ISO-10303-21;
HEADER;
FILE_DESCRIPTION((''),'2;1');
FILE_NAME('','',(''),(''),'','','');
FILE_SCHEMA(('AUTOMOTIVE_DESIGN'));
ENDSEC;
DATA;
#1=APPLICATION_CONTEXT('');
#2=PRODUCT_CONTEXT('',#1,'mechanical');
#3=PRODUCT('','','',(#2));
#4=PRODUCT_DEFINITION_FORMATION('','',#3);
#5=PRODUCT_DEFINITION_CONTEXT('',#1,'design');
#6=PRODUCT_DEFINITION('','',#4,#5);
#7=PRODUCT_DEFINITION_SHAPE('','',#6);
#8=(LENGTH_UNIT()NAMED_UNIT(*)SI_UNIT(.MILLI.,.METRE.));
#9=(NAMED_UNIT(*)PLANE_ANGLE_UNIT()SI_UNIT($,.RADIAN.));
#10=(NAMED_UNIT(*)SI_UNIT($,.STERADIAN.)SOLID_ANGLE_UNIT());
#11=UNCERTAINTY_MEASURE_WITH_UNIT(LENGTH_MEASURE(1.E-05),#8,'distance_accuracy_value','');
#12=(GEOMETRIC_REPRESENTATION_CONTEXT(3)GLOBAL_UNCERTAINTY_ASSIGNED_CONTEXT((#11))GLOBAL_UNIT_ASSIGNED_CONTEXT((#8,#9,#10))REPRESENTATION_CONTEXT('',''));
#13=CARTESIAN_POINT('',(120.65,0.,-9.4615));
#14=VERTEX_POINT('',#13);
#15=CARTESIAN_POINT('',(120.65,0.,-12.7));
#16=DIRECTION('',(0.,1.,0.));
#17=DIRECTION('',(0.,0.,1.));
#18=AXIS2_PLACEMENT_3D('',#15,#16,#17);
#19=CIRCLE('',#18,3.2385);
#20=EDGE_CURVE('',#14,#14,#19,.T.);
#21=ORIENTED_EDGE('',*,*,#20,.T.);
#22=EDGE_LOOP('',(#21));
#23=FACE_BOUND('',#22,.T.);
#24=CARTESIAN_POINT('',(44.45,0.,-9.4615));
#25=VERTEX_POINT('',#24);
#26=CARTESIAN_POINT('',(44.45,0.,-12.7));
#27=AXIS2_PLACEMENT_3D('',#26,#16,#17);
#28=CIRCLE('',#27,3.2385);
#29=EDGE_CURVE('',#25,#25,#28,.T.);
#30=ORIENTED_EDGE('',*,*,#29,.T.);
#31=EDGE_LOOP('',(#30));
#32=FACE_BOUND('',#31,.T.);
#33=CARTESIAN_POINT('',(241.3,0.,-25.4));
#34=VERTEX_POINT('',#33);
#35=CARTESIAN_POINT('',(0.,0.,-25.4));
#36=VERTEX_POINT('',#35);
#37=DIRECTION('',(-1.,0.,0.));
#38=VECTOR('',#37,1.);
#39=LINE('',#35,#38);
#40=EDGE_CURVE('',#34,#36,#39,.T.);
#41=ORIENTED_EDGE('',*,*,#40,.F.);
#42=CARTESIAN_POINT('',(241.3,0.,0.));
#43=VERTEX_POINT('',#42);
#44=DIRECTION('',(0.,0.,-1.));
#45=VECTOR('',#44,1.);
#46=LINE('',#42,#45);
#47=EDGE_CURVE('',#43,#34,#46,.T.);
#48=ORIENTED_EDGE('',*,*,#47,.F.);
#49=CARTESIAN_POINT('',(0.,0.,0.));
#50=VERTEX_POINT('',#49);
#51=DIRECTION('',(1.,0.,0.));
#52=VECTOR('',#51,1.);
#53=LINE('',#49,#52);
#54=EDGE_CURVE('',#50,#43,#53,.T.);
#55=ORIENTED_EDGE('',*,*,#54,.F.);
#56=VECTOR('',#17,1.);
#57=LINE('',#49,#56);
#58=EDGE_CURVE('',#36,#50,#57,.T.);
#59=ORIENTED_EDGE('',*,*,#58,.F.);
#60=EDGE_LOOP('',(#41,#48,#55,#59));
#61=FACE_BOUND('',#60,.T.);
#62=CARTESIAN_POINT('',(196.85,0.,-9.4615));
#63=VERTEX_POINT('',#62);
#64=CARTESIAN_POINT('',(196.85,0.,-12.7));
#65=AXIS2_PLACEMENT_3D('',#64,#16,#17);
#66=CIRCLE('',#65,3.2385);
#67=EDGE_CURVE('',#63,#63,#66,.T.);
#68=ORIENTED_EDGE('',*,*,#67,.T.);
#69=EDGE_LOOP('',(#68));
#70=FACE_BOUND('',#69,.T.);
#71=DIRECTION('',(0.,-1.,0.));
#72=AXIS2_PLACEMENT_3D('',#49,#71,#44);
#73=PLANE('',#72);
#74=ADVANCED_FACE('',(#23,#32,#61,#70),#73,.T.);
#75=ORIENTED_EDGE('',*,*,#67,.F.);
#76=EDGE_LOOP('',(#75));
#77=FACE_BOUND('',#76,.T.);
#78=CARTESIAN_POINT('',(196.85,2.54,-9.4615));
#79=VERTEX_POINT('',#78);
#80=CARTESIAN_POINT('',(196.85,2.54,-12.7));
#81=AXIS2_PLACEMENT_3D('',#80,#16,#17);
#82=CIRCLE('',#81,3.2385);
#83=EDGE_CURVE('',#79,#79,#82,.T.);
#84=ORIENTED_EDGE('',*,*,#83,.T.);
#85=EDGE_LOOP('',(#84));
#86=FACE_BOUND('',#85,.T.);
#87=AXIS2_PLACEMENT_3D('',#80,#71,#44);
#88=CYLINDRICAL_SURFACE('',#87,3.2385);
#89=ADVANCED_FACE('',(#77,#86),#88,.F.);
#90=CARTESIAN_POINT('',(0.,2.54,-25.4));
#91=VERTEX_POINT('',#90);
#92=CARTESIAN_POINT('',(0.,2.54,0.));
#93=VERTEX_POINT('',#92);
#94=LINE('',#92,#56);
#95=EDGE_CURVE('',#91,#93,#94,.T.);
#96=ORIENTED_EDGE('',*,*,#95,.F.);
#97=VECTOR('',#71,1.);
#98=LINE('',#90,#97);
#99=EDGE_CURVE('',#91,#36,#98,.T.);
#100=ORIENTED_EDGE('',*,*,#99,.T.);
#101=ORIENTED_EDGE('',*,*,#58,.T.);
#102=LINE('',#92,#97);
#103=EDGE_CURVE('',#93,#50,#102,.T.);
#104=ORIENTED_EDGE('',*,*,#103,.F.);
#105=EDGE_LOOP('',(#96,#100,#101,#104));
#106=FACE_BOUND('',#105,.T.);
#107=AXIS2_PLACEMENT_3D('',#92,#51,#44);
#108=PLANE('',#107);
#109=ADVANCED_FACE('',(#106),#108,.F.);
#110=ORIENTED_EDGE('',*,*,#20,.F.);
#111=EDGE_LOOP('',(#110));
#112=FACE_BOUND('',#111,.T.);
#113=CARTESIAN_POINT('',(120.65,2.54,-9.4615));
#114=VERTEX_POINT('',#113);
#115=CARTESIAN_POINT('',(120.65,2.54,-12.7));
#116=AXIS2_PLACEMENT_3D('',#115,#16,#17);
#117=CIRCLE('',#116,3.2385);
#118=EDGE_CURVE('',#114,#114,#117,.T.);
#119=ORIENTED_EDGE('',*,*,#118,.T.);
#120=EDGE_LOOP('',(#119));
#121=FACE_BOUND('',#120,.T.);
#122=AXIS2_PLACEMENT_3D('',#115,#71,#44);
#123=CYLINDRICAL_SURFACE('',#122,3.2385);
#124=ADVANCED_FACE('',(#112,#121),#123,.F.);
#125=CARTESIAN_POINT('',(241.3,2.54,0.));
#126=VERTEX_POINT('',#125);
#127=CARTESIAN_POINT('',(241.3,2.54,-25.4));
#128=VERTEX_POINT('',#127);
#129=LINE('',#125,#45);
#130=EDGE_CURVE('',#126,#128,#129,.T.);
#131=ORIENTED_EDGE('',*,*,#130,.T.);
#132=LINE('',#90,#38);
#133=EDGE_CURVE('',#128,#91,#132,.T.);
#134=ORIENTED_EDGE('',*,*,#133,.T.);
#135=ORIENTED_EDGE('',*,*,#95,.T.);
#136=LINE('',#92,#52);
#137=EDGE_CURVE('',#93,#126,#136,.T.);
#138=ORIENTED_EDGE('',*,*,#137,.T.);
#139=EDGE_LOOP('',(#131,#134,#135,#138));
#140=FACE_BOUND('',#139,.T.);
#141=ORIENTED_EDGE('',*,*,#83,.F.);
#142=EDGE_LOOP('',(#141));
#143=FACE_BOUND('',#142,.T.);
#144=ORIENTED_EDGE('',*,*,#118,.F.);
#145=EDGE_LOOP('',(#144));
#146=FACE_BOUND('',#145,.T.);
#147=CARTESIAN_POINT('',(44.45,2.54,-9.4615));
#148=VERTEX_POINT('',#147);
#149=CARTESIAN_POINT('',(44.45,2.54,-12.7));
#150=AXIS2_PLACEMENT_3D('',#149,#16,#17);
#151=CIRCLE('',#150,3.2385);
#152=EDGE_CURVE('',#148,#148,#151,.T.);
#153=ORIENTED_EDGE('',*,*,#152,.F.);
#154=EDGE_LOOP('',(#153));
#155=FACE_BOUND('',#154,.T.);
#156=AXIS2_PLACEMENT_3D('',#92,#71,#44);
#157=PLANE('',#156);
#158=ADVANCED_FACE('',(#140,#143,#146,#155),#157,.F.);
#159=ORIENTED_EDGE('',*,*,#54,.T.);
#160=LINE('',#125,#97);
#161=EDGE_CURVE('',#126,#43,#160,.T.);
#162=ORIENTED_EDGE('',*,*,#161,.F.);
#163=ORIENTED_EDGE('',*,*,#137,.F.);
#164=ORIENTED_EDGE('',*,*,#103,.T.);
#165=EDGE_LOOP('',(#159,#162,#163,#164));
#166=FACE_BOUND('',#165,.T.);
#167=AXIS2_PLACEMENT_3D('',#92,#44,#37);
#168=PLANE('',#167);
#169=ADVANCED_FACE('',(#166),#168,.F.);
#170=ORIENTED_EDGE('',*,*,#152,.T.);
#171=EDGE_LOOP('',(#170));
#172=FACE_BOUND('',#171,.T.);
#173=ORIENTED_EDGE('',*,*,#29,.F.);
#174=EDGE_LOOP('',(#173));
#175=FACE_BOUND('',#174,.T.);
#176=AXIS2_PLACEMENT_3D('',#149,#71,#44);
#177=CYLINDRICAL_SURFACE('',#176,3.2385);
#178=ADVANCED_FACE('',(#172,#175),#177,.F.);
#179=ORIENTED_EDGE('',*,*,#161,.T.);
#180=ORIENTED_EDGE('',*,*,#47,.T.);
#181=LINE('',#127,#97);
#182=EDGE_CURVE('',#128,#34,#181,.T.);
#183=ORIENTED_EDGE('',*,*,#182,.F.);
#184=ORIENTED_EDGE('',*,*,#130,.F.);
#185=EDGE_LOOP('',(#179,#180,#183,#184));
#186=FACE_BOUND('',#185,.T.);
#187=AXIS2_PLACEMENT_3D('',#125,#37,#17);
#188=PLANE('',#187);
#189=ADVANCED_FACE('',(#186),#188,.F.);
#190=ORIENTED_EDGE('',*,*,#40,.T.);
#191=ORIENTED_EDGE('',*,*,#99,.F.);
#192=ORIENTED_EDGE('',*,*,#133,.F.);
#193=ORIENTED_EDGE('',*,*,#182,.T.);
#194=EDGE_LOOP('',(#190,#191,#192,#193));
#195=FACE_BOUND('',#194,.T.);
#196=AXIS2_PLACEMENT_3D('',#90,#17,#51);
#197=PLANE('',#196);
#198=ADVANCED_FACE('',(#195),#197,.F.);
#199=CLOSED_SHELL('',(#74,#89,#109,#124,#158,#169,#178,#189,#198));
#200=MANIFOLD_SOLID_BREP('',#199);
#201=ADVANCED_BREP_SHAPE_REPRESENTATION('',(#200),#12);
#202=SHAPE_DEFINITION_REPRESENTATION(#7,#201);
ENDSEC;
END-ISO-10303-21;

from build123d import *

# Parameters (mm, degrees)
SKETCH1_W           = 241.3
SKETCH1_H           = 25.4
SKETCH1_R           = 3.2385
BOSS_EXTRUDE1_DEPTH = 2.54


with BuildPart() as part:
    # Sketch1 → Boss-Extrude1 (new body)
    with BuildSketch(Plane(origin=(0, 0, 0), x_dir=(1, 0, 0), z_dir=(0, 1, 0))):
        with Locations((120.65, 12.7)):
            Rectangle(SKETCH1_W, SKETCH1_H)
        with Locations((196.85, 12.7)):
            Circle(SKETCH1_R, mode=Mode.SUBTRACT)
        with Locations((120.65, 12.7)):
            Circle(SKETCH1_R, mode=Mode.SUBTRACT)
        with Locations((44.45, 12.7)):
            Circle(SKETCH1_R, mode=Mode.SUBTRACT)
    extrude(amount=BOSS_EXTRUDE1_DEPTH)


solid = part.part
